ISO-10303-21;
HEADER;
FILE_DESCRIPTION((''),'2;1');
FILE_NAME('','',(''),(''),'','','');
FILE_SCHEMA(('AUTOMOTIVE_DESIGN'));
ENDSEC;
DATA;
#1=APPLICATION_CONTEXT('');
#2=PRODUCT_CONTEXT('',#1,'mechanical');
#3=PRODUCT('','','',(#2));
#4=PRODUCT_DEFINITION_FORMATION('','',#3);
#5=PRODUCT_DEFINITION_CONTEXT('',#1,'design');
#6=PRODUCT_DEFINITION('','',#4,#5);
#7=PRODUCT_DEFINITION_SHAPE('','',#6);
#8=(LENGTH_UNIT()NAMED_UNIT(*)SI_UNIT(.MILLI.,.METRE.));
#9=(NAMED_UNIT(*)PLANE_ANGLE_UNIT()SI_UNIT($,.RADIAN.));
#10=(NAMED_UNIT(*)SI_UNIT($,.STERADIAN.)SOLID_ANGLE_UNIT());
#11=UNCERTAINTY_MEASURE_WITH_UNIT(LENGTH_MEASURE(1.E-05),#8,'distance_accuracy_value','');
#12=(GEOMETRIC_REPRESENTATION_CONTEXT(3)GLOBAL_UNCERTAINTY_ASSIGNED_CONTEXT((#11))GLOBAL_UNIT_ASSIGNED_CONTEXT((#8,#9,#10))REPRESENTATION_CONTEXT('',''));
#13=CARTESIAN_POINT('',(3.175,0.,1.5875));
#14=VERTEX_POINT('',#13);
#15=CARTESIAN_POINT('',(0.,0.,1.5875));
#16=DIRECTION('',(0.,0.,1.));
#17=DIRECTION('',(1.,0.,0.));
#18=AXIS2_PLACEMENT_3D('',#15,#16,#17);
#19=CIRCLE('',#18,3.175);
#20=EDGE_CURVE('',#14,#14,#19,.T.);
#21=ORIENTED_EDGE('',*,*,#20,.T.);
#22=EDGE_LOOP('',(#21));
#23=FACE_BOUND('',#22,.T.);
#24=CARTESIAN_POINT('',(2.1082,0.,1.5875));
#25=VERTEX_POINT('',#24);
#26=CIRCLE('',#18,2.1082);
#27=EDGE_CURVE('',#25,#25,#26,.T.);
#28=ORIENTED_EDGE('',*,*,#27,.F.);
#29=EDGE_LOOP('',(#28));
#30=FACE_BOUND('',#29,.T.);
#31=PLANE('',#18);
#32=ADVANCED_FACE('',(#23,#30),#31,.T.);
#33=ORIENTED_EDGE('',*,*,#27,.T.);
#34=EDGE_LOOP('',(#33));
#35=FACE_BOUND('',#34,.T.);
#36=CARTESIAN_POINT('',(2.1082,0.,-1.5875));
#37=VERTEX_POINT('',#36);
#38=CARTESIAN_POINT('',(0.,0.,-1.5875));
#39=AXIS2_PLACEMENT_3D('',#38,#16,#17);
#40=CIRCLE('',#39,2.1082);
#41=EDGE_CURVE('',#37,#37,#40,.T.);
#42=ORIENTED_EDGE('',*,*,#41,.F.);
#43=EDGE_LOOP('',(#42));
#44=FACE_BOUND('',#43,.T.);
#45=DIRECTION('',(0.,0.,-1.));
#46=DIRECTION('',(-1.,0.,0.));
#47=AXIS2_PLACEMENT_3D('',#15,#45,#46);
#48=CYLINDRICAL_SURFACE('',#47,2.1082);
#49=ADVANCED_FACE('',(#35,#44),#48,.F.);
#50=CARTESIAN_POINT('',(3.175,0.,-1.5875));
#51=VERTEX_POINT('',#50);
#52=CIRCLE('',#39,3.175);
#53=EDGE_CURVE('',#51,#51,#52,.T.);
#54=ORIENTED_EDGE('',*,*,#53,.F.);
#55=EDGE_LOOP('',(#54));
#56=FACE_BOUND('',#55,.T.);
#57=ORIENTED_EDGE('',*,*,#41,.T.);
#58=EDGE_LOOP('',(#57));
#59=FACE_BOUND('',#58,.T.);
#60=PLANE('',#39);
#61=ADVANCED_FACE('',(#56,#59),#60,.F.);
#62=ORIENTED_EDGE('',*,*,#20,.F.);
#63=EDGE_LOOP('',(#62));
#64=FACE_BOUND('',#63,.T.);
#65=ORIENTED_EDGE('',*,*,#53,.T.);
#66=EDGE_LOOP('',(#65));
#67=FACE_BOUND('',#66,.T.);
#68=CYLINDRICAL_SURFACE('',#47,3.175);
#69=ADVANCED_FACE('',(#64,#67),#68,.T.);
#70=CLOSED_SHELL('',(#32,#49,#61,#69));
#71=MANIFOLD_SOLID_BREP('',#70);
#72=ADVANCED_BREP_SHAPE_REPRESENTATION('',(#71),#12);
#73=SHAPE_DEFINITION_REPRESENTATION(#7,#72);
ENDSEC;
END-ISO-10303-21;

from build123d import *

# Parameters (mm, degrees)
SKETCH1_R      = 3.175
SKETCH1_R_2    = 2.1082
EXTRUDE1_DEPTH = 1.5875


with BuildPart() as part:
    # Sketch1 → Extrude1 (new body, symmetric)
    with BuildSketch(Plane.XY):
        Circle(SKETCH1_R)
        Circle(SKETCH1_R_2, mode=Mode.SUBTRACT)
    extrude(amount=EXTRUDE1_DEPTH, both=True)


solid = part.part
